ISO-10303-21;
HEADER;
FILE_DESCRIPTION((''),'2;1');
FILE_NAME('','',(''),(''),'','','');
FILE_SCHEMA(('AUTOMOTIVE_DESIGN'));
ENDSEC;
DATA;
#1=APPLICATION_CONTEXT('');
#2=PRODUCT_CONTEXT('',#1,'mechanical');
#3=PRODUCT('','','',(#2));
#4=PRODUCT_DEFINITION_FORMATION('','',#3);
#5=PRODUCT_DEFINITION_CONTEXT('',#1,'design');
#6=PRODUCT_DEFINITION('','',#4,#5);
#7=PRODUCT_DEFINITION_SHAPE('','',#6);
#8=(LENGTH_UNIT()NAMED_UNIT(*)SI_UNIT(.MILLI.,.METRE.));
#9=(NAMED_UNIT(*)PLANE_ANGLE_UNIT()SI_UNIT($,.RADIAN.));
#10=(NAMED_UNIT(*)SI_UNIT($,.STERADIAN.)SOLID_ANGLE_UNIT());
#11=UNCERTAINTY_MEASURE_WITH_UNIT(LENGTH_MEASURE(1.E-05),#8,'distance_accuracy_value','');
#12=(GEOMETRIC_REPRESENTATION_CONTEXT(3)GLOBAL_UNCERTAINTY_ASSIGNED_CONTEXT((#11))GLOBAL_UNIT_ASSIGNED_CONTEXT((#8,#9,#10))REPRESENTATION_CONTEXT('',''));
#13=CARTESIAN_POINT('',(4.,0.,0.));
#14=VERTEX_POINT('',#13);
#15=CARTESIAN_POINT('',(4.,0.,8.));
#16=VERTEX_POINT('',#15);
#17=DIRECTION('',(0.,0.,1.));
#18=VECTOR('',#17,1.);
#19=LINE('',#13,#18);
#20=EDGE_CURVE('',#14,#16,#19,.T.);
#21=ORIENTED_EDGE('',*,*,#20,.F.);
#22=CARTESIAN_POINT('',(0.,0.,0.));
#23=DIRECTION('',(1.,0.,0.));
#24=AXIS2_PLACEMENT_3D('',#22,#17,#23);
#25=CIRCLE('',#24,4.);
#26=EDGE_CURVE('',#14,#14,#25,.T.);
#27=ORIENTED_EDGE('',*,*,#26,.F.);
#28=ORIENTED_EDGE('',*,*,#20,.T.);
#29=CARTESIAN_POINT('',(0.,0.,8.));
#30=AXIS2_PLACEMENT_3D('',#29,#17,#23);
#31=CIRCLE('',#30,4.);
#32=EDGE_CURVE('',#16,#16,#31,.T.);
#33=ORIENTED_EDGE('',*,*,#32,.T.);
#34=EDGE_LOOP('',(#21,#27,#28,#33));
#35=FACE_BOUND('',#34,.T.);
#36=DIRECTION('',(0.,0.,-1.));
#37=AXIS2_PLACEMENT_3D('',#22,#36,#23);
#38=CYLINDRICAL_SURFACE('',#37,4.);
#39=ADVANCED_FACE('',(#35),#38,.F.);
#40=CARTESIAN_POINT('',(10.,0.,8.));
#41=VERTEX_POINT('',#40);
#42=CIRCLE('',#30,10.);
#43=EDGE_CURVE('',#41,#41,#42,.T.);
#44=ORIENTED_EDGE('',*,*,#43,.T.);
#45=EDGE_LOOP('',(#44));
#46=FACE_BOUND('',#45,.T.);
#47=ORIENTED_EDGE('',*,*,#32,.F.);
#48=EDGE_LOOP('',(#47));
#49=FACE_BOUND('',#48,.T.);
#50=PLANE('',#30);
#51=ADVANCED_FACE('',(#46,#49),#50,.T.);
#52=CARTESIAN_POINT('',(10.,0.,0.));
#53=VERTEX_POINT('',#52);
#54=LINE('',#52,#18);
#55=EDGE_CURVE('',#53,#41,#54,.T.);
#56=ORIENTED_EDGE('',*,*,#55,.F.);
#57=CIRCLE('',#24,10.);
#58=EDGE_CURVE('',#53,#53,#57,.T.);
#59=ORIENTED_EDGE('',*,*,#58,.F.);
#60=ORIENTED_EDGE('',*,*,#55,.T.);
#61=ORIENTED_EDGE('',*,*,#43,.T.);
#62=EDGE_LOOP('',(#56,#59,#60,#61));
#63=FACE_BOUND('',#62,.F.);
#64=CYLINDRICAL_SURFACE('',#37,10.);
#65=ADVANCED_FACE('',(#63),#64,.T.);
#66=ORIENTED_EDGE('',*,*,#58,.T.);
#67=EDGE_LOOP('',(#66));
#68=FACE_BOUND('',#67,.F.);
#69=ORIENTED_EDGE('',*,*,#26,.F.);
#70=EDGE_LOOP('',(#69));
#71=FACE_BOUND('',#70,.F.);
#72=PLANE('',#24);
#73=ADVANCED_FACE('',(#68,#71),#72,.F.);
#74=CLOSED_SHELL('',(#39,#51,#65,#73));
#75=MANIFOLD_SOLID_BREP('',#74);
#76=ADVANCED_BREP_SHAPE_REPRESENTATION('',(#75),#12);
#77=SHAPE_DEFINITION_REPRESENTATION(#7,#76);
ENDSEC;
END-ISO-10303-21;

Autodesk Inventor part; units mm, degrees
ref_plane "YZ Plane" through (0, 0, 0) normal (1, 0, 0) x (0, 1, 0)
ref_plane "XZ Plane" through (0, 0, 0) normal (0, 1, 0) x (-1, 0, 0)
ref_plane "XY Plane" through (0, 0, 0) normal (0, 0, 1) x (1, 0, 0)
sketch "草圖1" plane through (0, 0, 0) normal (0, 0, 1) x (1, 0, 0)
  circle A0 centre (0, 0) radius 10
  circle A1 centre (0, 0) radius 4
  dimension "d0" = 20
  dimension "d1" = 8
extrude "擠出1" add sketch "草圖1" along normal blind 8
properties part number "6. 套環"
